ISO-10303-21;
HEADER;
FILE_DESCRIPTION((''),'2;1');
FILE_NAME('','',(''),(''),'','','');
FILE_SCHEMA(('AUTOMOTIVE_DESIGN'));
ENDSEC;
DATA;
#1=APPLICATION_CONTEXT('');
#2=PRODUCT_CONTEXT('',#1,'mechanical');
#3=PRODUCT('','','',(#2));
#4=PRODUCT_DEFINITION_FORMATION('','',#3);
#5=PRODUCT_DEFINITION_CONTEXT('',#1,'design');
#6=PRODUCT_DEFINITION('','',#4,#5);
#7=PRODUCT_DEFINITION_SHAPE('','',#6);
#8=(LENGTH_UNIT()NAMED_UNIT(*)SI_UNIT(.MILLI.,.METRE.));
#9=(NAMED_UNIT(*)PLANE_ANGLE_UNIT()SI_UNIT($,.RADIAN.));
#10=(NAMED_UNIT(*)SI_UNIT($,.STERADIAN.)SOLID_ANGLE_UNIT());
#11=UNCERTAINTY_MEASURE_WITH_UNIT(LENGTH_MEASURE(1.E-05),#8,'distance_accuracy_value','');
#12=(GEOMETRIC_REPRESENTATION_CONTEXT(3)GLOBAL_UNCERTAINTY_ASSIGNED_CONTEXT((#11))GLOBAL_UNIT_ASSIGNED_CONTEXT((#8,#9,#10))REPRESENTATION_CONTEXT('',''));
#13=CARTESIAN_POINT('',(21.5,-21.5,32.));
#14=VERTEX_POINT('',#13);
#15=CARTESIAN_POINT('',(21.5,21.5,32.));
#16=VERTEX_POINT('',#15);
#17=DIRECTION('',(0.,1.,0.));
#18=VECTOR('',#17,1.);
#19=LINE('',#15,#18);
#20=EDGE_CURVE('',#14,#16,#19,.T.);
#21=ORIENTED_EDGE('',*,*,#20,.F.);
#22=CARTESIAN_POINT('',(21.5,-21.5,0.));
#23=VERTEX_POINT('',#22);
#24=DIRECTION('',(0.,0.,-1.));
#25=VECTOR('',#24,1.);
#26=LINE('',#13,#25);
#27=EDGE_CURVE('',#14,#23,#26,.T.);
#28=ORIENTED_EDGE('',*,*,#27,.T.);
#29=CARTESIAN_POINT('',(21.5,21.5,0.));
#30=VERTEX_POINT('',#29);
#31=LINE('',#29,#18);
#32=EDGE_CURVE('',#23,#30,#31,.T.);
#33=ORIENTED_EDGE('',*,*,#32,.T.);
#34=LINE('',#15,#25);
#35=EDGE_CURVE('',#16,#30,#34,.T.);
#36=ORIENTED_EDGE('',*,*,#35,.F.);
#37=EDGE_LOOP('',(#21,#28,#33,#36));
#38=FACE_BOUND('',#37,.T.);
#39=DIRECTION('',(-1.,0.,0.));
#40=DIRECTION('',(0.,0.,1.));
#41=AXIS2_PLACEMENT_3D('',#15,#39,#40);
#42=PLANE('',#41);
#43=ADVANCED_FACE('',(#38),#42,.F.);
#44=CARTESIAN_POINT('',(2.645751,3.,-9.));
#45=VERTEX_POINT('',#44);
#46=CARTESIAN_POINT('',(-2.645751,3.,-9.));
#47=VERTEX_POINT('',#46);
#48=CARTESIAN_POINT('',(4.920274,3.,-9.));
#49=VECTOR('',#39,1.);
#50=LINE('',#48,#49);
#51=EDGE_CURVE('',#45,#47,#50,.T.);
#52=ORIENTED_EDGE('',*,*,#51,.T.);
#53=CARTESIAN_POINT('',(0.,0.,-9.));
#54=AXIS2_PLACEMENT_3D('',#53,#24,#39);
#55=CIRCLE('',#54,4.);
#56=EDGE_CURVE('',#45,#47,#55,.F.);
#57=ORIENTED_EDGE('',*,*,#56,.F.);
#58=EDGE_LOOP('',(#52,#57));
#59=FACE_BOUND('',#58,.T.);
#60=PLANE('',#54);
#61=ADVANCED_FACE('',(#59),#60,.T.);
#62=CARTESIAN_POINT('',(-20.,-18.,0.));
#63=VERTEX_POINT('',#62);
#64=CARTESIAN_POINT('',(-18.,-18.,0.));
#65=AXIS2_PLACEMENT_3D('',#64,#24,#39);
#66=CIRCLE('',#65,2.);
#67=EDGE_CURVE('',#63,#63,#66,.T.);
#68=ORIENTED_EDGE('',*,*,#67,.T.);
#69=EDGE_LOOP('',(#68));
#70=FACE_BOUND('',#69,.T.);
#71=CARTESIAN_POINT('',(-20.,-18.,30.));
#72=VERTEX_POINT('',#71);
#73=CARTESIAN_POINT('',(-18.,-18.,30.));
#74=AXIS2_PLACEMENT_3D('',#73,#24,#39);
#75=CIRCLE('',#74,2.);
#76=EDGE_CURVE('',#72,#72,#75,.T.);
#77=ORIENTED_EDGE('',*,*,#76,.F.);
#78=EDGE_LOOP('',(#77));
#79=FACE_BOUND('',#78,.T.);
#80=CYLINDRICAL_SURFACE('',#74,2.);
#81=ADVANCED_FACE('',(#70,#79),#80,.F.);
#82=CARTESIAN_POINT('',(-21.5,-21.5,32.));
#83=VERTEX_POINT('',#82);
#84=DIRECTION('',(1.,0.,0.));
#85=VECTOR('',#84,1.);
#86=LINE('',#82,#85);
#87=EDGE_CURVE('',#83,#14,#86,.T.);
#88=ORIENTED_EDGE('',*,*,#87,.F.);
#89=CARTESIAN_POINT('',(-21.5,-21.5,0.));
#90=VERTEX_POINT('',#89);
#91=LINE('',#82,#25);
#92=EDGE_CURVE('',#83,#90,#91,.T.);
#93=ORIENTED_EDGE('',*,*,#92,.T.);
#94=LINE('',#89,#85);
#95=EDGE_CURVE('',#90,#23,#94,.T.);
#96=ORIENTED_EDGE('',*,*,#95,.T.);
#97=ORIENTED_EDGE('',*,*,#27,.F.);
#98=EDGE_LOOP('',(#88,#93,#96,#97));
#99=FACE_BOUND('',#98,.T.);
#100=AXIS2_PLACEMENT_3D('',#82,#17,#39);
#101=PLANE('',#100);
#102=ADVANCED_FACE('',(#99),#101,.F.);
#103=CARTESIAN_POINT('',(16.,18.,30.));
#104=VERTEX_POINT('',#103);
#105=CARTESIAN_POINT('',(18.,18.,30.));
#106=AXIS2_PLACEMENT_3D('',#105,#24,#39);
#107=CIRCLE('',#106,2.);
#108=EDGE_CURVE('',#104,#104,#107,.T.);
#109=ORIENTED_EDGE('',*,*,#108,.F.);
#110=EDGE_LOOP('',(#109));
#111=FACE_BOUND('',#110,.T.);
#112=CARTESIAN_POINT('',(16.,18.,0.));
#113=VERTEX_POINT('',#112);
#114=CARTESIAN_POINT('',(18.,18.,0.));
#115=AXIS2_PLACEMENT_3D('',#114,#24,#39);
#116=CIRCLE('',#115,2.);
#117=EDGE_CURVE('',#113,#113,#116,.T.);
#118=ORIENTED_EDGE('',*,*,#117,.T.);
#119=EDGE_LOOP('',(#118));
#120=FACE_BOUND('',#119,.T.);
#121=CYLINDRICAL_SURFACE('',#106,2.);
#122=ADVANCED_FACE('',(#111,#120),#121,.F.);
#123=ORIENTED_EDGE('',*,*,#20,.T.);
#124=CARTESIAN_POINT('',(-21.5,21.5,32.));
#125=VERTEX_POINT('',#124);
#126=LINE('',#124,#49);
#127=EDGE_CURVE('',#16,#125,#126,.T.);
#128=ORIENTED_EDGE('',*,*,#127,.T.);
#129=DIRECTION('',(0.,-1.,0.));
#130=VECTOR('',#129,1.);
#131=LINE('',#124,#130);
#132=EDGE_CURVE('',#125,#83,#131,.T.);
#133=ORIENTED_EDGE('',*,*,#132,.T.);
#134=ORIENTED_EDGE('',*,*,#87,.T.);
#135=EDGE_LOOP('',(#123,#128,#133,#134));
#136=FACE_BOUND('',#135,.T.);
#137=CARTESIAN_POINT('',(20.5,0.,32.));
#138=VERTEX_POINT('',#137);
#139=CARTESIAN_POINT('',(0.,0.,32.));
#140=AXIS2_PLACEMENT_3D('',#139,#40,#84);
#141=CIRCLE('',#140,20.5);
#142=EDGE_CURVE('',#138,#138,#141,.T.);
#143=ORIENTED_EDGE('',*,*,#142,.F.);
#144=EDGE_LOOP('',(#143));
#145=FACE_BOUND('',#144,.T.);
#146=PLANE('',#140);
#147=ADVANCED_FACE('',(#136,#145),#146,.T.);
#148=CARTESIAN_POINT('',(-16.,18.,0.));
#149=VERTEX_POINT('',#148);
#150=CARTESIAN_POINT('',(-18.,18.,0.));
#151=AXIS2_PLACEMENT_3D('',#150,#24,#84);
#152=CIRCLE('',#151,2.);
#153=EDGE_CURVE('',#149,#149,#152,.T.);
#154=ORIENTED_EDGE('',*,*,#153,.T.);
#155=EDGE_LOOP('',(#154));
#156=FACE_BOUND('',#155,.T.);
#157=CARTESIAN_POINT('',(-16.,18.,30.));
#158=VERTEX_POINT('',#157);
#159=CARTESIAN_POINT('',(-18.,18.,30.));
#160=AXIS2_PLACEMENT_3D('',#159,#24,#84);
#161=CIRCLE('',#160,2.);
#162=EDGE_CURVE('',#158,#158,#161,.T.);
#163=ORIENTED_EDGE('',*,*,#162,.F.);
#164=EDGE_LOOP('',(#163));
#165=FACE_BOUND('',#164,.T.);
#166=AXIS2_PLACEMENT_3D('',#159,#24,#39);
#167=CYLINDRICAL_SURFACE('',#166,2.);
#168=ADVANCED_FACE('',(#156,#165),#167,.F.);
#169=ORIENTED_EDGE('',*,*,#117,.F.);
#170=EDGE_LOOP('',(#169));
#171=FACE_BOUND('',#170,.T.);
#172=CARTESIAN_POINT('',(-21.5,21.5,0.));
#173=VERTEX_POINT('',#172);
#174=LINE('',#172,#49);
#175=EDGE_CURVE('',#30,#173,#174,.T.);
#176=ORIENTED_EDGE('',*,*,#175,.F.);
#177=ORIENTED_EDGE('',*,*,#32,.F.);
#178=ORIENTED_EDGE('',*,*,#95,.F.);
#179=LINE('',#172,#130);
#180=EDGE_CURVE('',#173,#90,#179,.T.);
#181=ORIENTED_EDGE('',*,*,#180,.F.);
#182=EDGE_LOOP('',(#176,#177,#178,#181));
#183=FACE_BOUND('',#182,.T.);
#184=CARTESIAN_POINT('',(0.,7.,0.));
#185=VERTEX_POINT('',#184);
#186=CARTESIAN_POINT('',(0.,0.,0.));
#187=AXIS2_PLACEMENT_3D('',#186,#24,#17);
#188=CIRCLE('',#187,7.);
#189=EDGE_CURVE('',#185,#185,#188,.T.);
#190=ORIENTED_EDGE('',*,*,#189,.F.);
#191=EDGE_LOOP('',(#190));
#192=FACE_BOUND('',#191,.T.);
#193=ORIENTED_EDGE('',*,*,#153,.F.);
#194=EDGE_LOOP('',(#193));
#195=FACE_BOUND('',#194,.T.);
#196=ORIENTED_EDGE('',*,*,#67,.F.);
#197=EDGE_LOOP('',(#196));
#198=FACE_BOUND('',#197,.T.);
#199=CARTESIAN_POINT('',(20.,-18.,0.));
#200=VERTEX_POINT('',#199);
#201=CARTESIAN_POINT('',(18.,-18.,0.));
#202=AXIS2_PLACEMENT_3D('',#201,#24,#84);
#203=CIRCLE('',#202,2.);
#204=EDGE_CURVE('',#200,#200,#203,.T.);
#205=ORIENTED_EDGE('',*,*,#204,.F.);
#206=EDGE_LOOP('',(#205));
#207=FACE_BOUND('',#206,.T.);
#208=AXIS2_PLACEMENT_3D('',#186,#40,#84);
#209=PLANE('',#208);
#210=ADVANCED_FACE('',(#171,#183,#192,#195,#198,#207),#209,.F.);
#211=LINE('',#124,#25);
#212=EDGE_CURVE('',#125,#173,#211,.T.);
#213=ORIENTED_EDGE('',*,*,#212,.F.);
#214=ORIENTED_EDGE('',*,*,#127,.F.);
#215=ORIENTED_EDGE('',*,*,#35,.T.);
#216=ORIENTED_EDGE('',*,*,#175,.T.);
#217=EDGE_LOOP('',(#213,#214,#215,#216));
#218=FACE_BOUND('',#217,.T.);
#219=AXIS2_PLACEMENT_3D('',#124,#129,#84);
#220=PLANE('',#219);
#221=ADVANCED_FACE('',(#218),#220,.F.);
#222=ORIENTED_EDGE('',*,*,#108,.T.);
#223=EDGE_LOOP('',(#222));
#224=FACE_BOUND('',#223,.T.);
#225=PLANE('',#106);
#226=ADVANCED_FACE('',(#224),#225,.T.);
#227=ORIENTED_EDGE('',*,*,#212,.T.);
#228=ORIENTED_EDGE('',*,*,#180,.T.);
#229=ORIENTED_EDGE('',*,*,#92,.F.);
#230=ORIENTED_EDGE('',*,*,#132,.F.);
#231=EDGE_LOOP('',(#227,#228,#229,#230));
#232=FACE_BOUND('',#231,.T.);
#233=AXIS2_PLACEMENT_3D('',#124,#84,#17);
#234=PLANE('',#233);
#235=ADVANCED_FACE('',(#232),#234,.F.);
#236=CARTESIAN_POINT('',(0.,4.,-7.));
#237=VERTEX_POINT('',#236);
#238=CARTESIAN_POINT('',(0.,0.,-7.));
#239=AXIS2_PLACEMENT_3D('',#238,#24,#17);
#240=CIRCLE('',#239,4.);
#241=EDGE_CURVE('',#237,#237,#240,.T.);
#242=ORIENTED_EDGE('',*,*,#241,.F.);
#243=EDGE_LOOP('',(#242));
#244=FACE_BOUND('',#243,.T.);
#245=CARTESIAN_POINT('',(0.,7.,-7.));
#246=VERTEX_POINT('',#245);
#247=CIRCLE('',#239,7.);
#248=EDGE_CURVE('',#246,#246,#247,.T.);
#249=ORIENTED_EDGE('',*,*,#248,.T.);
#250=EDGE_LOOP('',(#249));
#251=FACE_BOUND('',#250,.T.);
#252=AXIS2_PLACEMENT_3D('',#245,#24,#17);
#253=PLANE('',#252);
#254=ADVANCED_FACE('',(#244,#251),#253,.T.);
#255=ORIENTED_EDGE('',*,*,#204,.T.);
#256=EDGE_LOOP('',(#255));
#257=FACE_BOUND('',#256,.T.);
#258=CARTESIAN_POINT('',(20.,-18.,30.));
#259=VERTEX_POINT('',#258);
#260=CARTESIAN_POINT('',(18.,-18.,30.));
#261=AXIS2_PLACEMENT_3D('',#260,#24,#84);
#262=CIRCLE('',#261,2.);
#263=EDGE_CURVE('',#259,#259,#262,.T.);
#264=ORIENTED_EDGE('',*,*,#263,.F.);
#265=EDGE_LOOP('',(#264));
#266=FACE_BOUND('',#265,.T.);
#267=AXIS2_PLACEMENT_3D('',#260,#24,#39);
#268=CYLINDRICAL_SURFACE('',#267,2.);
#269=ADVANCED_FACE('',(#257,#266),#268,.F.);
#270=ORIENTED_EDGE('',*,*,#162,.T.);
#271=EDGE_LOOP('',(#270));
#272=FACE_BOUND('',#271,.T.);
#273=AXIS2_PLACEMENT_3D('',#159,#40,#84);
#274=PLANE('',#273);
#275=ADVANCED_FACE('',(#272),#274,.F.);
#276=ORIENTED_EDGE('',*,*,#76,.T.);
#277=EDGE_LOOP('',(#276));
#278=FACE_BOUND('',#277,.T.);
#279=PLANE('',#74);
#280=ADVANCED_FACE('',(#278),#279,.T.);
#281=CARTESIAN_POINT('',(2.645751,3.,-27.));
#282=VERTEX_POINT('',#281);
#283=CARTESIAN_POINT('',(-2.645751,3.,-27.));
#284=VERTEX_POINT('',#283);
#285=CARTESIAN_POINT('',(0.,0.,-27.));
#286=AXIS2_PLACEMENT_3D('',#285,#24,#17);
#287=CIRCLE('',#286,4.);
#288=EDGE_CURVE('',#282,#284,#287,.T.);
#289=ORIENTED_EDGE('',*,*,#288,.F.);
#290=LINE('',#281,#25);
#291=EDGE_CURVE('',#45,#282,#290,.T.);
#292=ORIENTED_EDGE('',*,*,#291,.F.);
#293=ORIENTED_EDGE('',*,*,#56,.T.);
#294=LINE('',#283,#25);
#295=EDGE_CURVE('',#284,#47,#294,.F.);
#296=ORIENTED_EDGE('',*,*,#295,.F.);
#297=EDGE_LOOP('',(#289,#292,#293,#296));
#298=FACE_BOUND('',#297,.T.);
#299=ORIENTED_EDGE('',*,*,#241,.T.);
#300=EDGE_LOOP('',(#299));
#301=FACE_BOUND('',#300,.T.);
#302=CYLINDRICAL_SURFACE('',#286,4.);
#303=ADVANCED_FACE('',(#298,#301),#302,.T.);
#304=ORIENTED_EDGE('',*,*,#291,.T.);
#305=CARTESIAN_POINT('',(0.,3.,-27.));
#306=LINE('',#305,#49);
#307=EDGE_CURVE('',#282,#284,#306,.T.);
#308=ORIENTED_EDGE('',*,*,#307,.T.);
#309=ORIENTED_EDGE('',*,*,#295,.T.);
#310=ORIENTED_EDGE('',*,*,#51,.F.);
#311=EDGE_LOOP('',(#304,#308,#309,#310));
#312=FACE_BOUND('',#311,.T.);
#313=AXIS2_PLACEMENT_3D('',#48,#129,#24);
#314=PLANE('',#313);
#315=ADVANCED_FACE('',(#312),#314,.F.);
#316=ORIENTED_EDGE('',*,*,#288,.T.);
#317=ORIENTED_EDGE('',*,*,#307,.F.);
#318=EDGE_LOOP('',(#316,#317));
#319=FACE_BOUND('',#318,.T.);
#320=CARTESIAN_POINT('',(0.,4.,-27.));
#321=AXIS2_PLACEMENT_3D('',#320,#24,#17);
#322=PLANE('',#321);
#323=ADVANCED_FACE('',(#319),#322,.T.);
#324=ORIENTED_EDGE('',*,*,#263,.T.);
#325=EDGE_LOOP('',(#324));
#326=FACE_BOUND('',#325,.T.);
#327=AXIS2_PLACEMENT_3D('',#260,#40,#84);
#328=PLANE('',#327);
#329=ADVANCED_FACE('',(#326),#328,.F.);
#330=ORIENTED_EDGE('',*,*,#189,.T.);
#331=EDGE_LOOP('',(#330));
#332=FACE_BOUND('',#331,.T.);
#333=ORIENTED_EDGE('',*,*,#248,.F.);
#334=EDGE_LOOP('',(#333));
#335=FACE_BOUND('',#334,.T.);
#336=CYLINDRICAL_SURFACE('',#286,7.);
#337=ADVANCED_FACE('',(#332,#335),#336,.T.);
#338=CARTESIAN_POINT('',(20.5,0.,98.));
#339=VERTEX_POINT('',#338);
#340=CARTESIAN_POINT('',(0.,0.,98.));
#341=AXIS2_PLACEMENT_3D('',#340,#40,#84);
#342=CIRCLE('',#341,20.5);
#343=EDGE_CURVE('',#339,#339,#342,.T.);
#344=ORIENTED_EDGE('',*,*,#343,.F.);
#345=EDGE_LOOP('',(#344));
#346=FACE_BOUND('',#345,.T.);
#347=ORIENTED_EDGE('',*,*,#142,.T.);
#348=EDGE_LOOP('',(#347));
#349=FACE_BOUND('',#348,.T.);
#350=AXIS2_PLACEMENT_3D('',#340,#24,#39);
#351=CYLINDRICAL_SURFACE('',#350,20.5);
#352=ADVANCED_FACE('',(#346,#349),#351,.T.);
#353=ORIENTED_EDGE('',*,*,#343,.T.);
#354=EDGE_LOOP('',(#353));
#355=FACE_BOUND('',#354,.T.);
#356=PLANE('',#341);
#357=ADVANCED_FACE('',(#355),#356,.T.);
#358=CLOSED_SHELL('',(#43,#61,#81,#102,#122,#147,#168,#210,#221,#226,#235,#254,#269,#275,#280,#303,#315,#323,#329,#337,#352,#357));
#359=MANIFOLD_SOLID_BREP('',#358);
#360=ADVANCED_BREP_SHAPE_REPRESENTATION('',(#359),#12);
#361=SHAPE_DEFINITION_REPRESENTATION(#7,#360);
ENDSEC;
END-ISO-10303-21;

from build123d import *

# Parameters (mm, degrees)
SKETCH_1_W          = 43
SKETCH_1_H          = 43
EXTRUDE_1_DEPTH     = 32
SKETCH_5_W          = 10.30081486
SKETCH_5_H          = 4.860243631
CUT_EXTRUDE_1_DEPTH = 18
SKETCH_6_R          = 20.5
EXTRUDE_2_DEPTH     = 66
SKETCH_7_R          = 2
CUT_EXTRUDE_2_DEPTH = 30


with BuildPart() as part:
    # 草图1 → 凸台-拉伸1 (new body)
    with BuildSketch(Plane.XY):
        Rectangle(SKETCH_1_W, SKETCH_1_H)
    extrude(amount=EXTRUDE_1_DEPTH)

    # 草图4 → 旋转1 (revolve)
    with BuildSketch(Plane(origin=(0, 0, 0), x_dir=(0, 0, -1), z_dir=(1, 0, 0))):
        Polygon((0, 0), (0, 7), (7, 7), (7, 4), (27, 4), (27, 0), align=None)
    revolve(axis=Axis((0, 0, -27), (0, 0, 1)))

    # 草图5 → 切除-拉伸1 (cut)
    with BuildSketch(Plane(origin=(0, 0, -27), x_dir=(-1, 0, 0), z_dir=(0, 0, -1))):
        with Locations((0.230133924, 5.430121815)):
            Rectangle(SKETCH_5_W, SKETCH_5_H)
    extrude(amount=-CUT_EXTRUDE_1_DEPTH, mode=Mode.SUBTRACT)

    # 草图6 → 凸台-拉伸2 (add)
    with BuildSketch(Plane.XY.offset(32)):
        Circle(SKETCH_6_R)
    extrude(amount=EXTRUDE_2_DEPTH)

    # 草图7 → 切除-拉伸2 (cut)
    with BuildSketch(Plane(origin=(0, 0, 0), x_dir=(-1, 0, 0), z_dir=(0, 0, -1))):
        with Locations((-18, 18)):
            Circle(SKETCH_7_R)
        with Locations((18, 18)):
            Circle(SKETCH_7_R)
        with Locations((18, -18)):
            Circle(SKETCH_7_R)
        with Locations((-18, -18)):
            Circle(SKETCH_7_R)
    extrude(amount=-CUT_EXTRUDE_2_DEPTH, mode=Mode.SUBTRACT)


solid = part.part
